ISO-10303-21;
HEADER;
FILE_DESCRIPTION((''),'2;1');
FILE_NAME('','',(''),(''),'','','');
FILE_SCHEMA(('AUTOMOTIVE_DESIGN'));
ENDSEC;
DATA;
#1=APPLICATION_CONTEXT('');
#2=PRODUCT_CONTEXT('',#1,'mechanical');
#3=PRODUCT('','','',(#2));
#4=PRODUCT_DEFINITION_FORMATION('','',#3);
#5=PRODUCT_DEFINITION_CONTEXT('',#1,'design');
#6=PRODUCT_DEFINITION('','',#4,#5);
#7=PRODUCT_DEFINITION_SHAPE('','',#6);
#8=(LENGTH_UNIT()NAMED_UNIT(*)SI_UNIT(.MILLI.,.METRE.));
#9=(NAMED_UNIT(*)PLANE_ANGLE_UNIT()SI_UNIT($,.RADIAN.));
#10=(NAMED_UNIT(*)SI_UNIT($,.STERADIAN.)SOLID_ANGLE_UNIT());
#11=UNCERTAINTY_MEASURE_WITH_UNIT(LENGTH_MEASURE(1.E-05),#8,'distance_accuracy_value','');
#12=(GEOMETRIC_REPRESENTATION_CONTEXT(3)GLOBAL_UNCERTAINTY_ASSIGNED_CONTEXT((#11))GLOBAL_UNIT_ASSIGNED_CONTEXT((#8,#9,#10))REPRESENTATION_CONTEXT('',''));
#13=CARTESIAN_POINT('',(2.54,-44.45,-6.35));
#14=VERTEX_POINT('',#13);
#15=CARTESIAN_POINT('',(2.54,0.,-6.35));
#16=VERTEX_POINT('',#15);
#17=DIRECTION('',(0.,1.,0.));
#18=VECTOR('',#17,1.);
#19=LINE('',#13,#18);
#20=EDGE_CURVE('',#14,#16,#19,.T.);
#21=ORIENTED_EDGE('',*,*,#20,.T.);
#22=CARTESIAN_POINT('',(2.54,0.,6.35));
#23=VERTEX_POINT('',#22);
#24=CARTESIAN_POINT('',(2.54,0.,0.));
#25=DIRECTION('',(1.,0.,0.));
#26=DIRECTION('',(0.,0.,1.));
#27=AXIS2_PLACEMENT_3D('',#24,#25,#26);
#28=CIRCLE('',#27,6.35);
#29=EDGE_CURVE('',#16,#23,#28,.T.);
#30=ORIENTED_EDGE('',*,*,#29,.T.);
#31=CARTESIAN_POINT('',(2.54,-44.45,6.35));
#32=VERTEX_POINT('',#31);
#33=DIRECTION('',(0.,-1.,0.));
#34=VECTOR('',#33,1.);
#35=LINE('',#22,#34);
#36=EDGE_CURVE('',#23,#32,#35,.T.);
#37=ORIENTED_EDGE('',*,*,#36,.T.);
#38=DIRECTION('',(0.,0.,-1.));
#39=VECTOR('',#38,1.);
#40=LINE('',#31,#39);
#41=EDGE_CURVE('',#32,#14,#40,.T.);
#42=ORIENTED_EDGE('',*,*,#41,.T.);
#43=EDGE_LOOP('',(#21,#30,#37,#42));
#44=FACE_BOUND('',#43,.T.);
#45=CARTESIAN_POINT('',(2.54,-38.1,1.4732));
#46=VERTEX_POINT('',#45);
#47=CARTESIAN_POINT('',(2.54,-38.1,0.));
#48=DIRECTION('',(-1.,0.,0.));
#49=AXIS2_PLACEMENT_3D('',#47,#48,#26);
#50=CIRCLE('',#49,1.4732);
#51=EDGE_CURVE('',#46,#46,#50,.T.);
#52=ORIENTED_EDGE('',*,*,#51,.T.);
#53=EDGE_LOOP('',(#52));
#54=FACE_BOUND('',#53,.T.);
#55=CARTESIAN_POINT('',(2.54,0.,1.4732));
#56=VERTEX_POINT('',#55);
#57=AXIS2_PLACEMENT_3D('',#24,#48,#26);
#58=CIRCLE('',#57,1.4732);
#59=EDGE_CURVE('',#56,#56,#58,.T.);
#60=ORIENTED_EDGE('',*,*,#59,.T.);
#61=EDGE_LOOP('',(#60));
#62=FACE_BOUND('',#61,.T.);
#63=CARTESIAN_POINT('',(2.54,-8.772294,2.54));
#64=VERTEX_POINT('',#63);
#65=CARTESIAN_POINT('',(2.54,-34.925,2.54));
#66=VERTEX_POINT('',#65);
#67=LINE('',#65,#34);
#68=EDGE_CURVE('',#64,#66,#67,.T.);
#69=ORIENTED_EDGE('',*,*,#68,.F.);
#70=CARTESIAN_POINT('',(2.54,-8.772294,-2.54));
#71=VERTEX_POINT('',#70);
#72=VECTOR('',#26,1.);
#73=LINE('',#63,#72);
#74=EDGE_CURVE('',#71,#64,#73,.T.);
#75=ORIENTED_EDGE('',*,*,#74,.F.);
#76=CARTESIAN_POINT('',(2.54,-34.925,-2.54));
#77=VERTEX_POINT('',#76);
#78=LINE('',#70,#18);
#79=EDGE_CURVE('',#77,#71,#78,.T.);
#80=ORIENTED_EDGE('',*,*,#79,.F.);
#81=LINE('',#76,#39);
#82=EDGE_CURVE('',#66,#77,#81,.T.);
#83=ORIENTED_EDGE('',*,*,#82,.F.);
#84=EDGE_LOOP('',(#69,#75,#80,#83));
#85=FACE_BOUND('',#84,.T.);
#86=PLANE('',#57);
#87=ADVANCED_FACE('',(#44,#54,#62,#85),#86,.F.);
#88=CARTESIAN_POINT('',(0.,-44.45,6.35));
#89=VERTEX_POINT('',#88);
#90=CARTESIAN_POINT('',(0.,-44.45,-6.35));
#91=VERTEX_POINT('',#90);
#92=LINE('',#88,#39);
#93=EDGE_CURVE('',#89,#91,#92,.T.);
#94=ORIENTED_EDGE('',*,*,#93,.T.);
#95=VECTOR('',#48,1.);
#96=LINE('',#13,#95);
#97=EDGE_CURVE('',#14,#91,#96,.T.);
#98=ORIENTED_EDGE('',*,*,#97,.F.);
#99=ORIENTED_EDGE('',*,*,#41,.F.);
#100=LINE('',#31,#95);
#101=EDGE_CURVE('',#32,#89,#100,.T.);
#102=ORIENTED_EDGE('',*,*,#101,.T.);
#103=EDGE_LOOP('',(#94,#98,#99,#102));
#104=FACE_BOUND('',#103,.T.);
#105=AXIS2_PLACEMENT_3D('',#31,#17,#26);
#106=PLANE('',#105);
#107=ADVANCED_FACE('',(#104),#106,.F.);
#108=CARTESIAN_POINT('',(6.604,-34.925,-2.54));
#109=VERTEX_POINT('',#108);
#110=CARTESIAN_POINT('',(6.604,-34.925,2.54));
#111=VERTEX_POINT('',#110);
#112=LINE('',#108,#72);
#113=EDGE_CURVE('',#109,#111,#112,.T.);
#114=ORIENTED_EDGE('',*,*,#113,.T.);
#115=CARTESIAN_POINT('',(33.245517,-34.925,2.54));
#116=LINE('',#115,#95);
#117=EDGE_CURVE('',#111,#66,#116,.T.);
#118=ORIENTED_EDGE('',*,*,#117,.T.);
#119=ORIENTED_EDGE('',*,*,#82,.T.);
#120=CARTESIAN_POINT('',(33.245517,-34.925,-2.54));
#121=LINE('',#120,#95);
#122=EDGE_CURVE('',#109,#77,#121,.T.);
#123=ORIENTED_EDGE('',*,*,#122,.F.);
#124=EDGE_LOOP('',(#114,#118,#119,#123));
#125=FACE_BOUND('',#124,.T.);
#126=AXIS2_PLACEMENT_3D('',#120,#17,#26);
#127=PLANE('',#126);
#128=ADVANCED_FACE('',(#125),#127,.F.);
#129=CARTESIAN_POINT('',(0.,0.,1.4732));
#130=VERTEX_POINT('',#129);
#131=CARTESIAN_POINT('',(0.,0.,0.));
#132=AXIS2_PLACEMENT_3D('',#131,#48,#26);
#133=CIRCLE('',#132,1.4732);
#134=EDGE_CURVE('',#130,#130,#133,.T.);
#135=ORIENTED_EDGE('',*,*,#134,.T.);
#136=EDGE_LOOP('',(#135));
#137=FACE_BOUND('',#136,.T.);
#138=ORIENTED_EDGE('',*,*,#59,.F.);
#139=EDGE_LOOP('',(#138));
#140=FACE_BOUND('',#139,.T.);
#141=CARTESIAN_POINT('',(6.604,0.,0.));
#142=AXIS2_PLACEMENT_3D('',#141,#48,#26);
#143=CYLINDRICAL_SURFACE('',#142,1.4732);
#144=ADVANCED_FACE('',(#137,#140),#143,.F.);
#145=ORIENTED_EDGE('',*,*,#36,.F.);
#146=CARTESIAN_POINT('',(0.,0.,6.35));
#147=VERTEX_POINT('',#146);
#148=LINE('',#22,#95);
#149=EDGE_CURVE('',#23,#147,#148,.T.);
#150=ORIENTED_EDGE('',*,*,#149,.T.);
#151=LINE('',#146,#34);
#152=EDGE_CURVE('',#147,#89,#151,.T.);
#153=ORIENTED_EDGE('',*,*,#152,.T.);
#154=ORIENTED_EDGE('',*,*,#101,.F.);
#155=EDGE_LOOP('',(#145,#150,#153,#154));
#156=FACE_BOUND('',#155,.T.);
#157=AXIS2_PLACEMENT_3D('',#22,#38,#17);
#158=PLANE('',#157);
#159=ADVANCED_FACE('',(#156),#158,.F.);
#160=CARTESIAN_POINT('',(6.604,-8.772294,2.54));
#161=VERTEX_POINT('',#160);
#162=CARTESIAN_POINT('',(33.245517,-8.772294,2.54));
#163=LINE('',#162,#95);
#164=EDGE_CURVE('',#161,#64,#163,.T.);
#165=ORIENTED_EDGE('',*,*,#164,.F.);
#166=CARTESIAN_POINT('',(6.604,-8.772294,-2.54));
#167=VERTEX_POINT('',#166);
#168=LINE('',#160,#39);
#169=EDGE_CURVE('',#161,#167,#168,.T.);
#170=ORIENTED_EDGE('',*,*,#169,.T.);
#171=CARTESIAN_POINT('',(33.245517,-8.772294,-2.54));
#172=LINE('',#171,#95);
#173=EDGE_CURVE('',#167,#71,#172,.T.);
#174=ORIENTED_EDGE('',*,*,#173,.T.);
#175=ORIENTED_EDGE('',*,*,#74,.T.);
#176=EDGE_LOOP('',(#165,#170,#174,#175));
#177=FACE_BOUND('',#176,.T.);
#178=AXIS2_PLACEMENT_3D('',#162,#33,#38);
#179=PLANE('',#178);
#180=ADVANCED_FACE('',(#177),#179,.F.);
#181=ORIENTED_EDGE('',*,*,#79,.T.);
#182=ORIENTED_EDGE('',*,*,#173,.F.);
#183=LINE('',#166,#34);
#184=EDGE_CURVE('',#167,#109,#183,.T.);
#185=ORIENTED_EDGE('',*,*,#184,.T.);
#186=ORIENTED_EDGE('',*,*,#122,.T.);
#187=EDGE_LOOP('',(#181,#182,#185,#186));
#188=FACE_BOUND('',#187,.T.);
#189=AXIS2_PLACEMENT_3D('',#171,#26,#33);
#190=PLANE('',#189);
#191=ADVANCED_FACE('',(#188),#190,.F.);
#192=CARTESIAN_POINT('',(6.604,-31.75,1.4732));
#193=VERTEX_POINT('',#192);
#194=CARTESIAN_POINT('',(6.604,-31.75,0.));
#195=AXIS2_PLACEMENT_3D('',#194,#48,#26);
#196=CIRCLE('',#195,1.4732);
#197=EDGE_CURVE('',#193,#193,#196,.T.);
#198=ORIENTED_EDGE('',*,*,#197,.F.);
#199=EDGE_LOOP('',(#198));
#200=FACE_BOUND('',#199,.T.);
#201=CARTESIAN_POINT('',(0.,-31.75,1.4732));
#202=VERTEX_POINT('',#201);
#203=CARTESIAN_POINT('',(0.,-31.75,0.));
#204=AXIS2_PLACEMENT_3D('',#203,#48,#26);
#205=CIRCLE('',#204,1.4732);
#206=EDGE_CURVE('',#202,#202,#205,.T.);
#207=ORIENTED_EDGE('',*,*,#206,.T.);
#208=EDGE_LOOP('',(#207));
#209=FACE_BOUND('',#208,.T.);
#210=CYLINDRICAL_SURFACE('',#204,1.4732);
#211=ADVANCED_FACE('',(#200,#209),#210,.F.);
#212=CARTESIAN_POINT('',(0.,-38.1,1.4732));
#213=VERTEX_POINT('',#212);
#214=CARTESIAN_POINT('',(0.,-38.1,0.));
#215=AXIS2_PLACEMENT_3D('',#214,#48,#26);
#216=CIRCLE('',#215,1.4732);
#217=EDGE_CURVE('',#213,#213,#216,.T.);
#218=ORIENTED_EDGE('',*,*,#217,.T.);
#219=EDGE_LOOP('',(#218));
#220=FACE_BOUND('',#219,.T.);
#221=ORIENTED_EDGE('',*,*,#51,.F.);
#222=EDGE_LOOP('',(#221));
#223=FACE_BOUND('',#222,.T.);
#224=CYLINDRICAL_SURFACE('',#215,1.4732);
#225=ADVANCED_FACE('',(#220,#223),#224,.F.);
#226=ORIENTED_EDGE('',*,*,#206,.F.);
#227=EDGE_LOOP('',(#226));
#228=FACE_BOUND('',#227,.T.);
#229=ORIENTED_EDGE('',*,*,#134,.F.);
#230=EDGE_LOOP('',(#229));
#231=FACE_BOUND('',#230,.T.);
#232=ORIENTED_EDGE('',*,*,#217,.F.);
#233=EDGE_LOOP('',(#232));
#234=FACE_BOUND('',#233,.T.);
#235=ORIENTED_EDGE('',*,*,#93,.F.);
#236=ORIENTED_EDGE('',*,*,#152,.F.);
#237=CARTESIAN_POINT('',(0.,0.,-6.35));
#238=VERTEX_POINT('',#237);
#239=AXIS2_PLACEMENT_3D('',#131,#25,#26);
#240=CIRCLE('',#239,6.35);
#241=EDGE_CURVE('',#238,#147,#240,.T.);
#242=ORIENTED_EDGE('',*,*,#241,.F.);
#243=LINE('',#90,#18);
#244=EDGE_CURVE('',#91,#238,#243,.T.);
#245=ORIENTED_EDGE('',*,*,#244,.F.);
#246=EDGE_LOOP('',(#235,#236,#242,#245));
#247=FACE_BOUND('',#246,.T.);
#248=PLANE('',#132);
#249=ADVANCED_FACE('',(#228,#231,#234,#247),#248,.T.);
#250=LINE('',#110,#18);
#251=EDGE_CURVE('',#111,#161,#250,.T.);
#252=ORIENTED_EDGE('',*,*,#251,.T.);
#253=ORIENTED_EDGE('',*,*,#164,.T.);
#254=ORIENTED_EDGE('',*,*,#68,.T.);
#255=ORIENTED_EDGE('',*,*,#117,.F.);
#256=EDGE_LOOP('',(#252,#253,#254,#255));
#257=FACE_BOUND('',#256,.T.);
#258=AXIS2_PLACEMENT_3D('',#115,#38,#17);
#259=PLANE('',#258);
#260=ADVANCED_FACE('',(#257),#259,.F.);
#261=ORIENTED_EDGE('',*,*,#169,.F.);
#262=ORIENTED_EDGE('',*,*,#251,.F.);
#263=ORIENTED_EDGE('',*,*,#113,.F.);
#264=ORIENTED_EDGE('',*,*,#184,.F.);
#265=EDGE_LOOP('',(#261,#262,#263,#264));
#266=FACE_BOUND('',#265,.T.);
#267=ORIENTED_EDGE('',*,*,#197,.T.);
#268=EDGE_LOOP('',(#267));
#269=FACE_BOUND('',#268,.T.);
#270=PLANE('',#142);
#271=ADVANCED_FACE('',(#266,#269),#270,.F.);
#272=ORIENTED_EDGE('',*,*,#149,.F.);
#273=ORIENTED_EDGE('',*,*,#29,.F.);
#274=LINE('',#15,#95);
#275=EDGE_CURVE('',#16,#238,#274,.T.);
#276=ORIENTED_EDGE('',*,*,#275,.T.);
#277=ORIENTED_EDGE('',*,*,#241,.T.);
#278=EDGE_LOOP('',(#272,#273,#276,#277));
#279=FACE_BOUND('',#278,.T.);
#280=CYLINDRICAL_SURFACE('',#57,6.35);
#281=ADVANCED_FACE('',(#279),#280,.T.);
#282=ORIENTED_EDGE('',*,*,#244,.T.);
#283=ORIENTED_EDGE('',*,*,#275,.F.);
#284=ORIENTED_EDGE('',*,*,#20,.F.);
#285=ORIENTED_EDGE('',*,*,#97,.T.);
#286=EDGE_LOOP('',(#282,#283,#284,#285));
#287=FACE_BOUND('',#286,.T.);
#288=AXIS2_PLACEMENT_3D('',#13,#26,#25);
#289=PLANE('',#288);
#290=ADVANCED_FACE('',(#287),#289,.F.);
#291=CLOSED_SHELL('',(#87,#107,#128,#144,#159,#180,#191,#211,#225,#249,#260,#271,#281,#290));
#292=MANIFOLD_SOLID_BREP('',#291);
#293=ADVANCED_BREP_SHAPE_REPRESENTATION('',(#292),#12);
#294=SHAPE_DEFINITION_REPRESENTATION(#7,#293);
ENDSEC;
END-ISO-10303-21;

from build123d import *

# Parameters (mm, degrees)
BOSS_EXTRUDE1_DEPTH     = 2.54
SKETCH2_W               = 5.08
SKETCH2_H               = 26.152706233
BOSS_EXTRUDE2_DEPTH     = 4.064
CUT_EXTRUDE1_DEPTH      = 46.384334478
CUT_EXTRUDE1_DEPTH_BACK = 46.384334478
SKETCH3_R               = 1.4732
F_4_CLEARANCE_HOLE1_D   = 2.9464


with BuildPart() as part:
    # Sketch1 → Boss-Extrude1 (new body)
    with BuildSketch(Plane(origin=(0, 0, 0), x_dir=(0, 0, -1), z_dir=(1, 0, 0))):
        with BuildLine():
            Line((-6.35, 0), (-6.35, -44.45))
            Line((-6.35, -44.45), (6.35, -44.45))
            Line((6.35, -44.45), (6.35, 0))
            ThreePointArc((6.35, 0), (0, 6.35), (-6.35, 0))
        make_face()
    extrude(amount=BOSS_EXTRUDE1_DEPTH)

    # Sketch2 → Boss-Extrude2 (add)
    with BuildSketch(Plane(origin=(2.54, 0, 0), x_dir=(0, 0, -1), z_dir=(1, 0, 0))):
        with Locations((0, -21.848646884)):
            Rectangle(SKETCH2_W, SKETCH2_H)
    extrude(amount=BOSS_EXTRUDE2_DEPTH)

    # Sketch3 → Cut-Extrude1 (cut, two sides: drawn at the far end of the back side and taken through both)
    with BuildSketch(Plane.ZY.offset(-CUT_EXTRUDE1_DEPTH_BACK)):
        Circle(SKETCH3_R)
    extrude(amount=CUT_EXTRUDE1_DEPTH + CUT_EXTRUDE1_DEPTH_BACK, mode=Mode.SUBTRACT)

    # #4 Clearance Hole1 (through all)
    with Locations(Plane.ZY):
        with Locations((0, -31.75), (0, -38.1)):
            Hole(F_4_CLEARANCE_HOLE1_D / 2)


solid = part.part
